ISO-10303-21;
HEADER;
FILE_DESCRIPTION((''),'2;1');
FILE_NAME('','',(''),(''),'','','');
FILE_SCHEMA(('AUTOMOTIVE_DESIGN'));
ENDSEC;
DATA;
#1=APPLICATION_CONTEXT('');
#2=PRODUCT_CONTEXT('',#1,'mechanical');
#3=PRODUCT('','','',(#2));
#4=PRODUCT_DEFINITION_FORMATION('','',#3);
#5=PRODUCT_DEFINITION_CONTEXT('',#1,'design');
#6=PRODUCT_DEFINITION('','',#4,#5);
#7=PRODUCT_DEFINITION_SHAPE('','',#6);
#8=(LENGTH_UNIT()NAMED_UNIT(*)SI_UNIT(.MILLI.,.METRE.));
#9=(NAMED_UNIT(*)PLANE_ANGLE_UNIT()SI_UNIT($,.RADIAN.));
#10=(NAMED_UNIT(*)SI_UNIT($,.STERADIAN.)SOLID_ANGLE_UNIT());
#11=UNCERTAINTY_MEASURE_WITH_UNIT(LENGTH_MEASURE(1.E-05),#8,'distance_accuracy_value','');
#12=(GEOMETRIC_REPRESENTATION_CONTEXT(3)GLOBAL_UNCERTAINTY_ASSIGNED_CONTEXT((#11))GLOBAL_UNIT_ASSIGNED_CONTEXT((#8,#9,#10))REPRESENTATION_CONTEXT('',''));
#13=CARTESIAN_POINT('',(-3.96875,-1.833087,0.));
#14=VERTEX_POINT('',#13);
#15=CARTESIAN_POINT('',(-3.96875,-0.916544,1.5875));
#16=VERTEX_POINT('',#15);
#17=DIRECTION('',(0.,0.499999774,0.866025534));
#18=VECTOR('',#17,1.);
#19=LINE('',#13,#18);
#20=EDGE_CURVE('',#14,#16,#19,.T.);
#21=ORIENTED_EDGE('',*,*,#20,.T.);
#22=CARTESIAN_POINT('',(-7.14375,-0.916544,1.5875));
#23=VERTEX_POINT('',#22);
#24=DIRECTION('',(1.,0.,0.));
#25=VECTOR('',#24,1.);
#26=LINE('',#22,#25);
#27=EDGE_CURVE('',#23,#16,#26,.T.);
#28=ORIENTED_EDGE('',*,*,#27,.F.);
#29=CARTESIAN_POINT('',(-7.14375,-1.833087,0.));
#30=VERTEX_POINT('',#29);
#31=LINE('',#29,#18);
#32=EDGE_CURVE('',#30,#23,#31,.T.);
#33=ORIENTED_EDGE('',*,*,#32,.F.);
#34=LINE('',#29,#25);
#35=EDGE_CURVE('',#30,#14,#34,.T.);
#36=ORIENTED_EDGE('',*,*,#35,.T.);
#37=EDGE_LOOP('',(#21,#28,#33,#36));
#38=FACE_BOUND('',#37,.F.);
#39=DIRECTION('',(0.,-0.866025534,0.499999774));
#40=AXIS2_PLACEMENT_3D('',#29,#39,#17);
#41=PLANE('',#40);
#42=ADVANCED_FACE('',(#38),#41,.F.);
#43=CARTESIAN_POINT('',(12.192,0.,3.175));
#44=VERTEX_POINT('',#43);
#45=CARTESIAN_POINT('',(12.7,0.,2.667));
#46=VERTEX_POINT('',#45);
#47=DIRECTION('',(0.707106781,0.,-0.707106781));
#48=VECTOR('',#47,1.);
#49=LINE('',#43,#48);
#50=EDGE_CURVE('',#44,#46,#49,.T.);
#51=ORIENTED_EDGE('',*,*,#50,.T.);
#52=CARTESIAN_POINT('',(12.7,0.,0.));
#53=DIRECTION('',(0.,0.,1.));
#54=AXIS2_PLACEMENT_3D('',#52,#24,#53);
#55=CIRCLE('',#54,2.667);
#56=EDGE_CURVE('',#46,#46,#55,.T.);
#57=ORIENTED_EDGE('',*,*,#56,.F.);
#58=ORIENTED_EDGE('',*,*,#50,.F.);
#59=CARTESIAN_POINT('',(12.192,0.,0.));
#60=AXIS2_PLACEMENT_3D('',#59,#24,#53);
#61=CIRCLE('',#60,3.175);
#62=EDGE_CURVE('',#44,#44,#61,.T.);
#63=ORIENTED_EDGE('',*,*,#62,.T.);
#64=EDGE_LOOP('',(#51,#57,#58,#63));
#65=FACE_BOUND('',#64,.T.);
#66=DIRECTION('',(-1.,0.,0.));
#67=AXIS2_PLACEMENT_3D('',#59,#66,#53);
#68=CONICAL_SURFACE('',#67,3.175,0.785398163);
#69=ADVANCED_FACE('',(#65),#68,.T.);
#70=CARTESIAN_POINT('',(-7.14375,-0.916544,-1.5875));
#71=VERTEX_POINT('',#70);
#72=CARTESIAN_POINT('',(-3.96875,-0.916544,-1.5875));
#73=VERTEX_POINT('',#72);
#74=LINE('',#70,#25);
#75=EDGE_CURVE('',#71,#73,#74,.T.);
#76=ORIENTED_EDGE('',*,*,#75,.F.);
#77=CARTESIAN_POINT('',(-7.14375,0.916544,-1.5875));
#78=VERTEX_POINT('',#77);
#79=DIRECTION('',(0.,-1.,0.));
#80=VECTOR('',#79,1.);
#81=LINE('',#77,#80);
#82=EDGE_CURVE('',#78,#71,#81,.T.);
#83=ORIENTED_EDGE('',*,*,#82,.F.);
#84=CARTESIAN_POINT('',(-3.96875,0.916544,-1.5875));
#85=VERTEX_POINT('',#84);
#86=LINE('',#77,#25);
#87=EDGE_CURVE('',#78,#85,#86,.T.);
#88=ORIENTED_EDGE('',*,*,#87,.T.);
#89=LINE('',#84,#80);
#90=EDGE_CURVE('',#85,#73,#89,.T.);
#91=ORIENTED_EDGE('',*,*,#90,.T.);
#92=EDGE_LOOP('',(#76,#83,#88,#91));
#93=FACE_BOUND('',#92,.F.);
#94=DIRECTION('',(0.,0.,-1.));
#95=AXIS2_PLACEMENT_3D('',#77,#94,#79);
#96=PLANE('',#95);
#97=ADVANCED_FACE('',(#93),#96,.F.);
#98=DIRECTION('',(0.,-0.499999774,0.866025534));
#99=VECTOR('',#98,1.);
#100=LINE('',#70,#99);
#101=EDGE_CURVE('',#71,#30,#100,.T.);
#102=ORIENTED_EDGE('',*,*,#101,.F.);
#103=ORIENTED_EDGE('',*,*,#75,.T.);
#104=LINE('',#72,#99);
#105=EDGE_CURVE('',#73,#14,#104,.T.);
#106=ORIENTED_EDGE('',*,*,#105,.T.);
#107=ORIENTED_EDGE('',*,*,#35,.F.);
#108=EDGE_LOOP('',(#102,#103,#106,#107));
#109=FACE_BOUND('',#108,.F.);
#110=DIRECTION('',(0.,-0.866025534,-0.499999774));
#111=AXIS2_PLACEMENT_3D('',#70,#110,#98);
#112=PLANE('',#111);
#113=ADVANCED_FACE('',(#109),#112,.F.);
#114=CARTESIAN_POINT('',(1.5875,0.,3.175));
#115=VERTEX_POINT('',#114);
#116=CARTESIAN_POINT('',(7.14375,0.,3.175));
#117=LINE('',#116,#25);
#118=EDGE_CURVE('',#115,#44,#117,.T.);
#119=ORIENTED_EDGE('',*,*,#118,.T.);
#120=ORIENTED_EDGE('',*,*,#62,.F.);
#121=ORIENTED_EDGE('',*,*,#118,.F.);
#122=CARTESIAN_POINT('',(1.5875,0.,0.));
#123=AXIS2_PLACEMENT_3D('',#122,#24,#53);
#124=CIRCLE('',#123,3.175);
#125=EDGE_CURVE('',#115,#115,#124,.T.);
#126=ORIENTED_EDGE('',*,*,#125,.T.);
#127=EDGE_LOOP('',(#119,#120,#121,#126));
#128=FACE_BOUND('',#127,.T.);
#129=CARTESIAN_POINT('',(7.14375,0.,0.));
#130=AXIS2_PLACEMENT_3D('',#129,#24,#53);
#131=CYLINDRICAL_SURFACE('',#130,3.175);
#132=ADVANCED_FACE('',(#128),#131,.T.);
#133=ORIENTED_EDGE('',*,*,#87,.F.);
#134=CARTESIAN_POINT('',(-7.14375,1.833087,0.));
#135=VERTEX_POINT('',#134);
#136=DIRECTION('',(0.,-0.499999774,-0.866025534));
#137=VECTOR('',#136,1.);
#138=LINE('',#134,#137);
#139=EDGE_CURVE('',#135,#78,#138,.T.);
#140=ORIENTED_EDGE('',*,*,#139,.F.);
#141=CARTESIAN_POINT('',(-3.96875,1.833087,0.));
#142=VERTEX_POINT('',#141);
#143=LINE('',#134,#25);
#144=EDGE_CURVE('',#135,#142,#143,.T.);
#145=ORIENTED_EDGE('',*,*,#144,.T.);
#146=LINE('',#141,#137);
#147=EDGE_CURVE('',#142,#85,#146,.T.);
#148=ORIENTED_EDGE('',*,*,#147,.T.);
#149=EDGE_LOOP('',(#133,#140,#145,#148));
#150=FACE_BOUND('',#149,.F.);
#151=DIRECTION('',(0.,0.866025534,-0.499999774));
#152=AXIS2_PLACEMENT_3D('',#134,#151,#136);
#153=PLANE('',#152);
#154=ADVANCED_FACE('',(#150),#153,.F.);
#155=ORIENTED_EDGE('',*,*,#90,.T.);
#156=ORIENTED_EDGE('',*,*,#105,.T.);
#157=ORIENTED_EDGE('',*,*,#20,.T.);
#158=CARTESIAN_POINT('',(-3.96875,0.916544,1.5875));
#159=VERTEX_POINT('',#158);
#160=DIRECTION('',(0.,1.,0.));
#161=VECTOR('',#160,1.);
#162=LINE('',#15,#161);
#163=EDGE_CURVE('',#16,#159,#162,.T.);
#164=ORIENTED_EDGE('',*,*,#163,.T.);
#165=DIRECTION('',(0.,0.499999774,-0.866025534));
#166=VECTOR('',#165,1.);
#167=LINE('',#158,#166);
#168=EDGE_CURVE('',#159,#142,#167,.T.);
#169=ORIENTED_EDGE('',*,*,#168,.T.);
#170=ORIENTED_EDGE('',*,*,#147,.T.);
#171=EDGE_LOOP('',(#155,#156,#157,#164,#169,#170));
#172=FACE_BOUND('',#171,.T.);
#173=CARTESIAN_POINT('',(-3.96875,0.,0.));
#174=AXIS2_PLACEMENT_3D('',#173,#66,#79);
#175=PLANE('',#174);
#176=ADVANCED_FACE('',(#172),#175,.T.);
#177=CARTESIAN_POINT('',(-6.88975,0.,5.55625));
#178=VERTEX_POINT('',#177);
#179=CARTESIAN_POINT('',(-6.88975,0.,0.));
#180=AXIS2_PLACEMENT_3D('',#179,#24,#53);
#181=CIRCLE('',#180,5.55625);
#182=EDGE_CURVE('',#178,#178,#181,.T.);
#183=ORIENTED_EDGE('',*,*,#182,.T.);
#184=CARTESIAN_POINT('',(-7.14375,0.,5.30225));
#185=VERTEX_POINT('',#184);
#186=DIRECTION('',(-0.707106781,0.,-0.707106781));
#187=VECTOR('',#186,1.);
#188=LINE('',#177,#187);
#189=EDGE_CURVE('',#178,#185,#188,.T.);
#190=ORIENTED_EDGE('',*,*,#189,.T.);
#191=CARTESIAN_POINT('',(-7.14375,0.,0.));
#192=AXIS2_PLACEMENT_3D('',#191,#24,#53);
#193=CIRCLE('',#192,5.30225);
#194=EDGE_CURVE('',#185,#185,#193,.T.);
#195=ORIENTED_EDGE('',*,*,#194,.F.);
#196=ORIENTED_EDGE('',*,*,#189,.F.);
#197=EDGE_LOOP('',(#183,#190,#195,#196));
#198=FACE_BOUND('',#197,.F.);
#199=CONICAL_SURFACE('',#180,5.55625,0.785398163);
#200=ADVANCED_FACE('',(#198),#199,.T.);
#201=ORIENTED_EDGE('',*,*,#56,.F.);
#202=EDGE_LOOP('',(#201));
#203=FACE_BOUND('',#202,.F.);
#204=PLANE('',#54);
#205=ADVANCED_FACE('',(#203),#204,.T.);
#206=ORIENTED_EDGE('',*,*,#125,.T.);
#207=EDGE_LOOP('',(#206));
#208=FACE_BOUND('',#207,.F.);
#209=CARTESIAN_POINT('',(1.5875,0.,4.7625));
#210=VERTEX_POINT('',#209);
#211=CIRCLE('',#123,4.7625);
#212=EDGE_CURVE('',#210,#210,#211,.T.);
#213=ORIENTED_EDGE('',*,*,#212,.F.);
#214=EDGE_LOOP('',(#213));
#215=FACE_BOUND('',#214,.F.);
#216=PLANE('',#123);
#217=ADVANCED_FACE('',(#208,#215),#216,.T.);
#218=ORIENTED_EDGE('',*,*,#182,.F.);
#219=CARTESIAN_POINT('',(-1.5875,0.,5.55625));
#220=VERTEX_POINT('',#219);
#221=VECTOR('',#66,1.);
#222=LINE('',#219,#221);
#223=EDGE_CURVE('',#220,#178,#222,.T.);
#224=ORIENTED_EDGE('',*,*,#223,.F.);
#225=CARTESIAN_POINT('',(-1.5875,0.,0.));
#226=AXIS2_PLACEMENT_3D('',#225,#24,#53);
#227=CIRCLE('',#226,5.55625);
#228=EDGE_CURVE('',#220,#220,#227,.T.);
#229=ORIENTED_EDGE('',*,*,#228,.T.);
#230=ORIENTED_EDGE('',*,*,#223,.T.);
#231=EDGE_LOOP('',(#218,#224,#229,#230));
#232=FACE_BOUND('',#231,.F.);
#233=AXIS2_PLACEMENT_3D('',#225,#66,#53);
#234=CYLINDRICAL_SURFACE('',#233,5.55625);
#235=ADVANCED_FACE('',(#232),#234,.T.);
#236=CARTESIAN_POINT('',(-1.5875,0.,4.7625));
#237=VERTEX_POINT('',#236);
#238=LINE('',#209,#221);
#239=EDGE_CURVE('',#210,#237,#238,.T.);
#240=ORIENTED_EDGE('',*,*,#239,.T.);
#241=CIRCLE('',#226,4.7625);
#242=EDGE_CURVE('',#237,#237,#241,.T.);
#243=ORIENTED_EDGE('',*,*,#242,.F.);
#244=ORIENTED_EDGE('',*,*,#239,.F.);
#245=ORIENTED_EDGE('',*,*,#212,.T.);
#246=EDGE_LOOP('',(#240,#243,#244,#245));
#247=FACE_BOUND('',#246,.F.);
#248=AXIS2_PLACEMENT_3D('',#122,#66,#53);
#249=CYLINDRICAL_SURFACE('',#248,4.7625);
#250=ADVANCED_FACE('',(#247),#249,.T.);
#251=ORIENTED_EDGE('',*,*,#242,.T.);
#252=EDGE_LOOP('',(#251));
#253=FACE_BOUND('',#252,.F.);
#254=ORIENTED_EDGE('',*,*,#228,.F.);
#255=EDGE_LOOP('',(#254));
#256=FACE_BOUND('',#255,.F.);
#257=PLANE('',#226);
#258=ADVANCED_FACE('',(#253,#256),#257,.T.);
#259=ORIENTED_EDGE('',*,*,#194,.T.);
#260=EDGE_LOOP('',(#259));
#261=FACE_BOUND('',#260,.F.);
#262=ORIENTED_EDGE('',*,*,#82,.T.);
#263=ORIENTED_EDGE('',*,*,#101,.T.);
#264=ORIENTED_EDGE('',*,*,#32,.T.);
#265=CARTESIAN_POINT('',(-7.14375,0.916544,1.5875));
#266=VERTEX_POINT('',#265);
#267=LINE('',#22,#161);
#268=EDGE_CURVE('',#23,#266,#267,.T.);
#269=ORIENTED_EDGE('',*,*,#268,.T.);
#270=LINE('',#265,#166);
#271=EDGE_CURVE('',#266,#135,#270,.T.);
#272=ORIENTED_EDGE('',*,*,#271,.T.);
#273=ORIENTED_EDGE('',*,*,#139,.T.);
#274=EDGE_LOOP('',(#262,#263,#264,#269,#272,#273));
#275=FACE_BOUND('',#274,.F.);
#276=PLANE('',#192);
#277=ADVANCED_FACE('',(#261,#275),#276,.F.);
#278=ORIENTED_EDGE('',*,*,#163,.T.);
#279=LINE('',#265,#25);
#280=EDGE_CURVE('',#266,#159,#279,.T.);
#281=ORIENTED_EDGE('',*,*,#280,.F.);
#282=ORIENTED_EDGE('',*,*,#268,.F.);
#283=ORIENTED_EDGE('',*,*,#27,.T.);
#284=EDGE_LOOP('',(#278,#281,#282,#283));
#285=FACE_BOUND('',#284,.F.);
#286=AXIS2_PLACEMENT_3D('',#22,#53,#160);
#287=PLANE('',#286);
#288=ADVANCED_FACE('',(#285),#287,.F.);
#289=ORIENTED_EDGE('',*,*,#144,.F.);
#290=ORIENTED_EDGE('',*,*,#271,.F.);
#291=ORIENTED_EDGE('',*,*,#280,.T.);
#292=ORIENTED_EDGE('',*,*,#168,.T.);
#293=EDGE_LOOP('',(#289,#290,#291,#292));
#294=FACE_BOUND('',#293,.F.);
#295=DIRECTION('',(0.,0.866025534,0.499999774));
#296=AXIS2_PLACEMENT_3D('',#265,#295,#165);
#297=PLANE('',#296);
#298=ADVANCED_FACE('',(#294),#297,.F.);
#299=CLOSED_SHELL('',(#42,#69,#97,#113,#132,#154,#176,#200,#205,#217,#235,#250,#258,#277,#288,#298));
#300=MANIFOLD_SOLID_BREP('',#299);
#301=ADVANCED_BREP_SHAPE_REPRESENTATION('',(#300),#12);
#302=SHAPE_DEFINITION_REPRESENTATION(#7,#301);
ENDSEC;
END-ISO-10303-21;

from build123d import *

# Parameters (mm, degrees)
F0_W     = 11.1125
F0_H     = 3.175
F5_DEPTH = 3.175
F6_SIZE  = 0.254
F7_SIZE  = 0.508


with BuildPart() as f1:
    # F0 (on Front) → F1 (revolve)
    with BuildSketch(Plane.XZ):
        Polygon((-1.5875, 0), (-1.5875, 4.7625), (-1.5875, 5.55625), (-7.14375, 5.55625), (-7.14375, 0), align=None)
    revolve(axis=Axis((2.778125, 0, 0), (1, 0, 0)))

    # F0 (on Front) → F2 (revolve)
    with BuildSketch(Plane.XZ):
        Polygon((1.5875, 3.175), (1.5875, 4.7625), (-1.5875, 4.7625), (-1.5875, 0), (1.5875, 0), align=None)
    revolve(axis=Axis((2.778125, 0, 0), (1, 0, 0)))

    # F0 (on Front) → F3 (revolve)
    with BuildSketch(Plane.XZ):
        with Locations((7.14375, 1.5875)):
            Rectangle(F0_W, F0_H)
    revolve(axis=Axis((2.778125, 0, 0), (1, 0, 0)))

    # F4 (on face) → F5 (cut)
    with BuildSketch(Plane(origin=(-7.14375, 0, 0), x_dir=(0, -1, 0), z_dir=(-1, 0, 0))):
        Polygon((1.833087, 0), (0.916544, 1.5875), (-0.916544, 1.5875), (-1.833087, 0), (-0.916544, -1.5875), (0.916544, -1.5875), align=None)
    extrude(amount=-F5_DEPTH, mode=Mode.SUBTRACT)

    # F6
    f6_edges = [f1.edges().sort_by_distance(p)[0] for p in [
        (-7.14375, 0, -5.55625),
    ]]
    chamfer(f6_edges, length=F6_SIZE)

    # F7
    f7_edges = [f1.edges().sort_by_distance(p)[0] for p in [
        (12.7, 0, -3.175),
    ]]
    chamfer(f7_edges, length=F7_SIZE)


solid = f1.part
